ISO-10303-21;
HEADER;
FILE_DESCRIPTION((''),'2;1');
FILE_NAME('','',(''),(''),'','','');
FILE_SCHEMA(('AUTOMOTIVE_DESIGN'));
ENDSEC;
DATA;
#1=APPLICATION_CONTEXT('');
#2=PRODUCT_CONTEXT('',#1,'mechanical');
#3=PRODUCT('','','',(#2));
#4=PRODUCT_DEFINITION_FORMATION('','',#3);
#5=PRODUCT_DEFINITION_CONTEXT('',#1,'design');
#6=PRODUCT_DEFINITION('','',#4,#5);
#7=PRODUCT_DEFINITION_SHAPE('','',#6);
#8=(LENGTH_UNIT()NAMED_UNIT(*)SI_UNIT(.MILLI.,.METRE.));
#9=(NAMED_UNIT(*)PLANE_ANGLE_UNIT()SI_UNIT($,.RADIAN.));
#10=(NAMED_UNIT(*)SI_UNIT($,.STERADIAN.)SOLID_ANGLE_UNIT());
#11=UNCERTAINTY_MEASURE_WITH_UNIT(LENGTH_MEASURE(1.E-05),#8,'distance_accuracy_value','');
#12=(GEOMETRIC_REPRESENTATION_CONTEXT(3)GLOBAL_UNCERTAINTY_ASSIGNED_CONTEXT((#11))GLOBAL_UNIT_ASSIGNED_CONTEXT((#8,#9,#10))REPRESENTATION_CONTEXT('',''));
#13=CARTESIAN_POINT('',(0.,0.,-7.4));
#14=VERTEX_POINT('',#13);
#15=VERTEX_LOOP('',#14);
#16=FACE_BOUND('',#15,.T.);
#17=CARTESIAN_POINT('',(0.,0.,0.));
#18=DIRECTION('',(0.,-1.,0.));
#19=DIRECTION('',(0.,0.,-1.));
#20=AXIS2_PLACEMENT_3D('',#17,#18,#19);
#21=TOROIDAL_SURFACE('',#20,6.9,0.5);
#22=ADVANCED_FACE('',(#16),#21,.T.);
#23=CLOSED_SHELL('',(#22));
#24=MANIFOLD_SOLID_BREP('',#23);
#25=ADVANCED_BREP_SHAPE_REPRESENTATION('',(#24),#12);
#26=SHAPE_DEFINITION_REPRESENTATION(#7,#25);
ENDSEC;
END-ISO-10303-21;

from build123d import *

# Parameters (mm, degrees)
SKETCH2_R = 0.5


with BuildPart() as part:
    # Sketch2 → Revolve1 (revolve)
    with BuildSketch(Plane.XY, mode=Mode.PRIVATE) as revolve1_sk:
        with Locations((6.9, 0)):
            Circle(SKETCH2_R)
    revolve(revolve1_sk.sketch.rotate(Axis((0, 0, 0), (0, 1, 0)), 90), axis=Axis((0, 0, 0), (0, 1, 0)))


solid = part.part
